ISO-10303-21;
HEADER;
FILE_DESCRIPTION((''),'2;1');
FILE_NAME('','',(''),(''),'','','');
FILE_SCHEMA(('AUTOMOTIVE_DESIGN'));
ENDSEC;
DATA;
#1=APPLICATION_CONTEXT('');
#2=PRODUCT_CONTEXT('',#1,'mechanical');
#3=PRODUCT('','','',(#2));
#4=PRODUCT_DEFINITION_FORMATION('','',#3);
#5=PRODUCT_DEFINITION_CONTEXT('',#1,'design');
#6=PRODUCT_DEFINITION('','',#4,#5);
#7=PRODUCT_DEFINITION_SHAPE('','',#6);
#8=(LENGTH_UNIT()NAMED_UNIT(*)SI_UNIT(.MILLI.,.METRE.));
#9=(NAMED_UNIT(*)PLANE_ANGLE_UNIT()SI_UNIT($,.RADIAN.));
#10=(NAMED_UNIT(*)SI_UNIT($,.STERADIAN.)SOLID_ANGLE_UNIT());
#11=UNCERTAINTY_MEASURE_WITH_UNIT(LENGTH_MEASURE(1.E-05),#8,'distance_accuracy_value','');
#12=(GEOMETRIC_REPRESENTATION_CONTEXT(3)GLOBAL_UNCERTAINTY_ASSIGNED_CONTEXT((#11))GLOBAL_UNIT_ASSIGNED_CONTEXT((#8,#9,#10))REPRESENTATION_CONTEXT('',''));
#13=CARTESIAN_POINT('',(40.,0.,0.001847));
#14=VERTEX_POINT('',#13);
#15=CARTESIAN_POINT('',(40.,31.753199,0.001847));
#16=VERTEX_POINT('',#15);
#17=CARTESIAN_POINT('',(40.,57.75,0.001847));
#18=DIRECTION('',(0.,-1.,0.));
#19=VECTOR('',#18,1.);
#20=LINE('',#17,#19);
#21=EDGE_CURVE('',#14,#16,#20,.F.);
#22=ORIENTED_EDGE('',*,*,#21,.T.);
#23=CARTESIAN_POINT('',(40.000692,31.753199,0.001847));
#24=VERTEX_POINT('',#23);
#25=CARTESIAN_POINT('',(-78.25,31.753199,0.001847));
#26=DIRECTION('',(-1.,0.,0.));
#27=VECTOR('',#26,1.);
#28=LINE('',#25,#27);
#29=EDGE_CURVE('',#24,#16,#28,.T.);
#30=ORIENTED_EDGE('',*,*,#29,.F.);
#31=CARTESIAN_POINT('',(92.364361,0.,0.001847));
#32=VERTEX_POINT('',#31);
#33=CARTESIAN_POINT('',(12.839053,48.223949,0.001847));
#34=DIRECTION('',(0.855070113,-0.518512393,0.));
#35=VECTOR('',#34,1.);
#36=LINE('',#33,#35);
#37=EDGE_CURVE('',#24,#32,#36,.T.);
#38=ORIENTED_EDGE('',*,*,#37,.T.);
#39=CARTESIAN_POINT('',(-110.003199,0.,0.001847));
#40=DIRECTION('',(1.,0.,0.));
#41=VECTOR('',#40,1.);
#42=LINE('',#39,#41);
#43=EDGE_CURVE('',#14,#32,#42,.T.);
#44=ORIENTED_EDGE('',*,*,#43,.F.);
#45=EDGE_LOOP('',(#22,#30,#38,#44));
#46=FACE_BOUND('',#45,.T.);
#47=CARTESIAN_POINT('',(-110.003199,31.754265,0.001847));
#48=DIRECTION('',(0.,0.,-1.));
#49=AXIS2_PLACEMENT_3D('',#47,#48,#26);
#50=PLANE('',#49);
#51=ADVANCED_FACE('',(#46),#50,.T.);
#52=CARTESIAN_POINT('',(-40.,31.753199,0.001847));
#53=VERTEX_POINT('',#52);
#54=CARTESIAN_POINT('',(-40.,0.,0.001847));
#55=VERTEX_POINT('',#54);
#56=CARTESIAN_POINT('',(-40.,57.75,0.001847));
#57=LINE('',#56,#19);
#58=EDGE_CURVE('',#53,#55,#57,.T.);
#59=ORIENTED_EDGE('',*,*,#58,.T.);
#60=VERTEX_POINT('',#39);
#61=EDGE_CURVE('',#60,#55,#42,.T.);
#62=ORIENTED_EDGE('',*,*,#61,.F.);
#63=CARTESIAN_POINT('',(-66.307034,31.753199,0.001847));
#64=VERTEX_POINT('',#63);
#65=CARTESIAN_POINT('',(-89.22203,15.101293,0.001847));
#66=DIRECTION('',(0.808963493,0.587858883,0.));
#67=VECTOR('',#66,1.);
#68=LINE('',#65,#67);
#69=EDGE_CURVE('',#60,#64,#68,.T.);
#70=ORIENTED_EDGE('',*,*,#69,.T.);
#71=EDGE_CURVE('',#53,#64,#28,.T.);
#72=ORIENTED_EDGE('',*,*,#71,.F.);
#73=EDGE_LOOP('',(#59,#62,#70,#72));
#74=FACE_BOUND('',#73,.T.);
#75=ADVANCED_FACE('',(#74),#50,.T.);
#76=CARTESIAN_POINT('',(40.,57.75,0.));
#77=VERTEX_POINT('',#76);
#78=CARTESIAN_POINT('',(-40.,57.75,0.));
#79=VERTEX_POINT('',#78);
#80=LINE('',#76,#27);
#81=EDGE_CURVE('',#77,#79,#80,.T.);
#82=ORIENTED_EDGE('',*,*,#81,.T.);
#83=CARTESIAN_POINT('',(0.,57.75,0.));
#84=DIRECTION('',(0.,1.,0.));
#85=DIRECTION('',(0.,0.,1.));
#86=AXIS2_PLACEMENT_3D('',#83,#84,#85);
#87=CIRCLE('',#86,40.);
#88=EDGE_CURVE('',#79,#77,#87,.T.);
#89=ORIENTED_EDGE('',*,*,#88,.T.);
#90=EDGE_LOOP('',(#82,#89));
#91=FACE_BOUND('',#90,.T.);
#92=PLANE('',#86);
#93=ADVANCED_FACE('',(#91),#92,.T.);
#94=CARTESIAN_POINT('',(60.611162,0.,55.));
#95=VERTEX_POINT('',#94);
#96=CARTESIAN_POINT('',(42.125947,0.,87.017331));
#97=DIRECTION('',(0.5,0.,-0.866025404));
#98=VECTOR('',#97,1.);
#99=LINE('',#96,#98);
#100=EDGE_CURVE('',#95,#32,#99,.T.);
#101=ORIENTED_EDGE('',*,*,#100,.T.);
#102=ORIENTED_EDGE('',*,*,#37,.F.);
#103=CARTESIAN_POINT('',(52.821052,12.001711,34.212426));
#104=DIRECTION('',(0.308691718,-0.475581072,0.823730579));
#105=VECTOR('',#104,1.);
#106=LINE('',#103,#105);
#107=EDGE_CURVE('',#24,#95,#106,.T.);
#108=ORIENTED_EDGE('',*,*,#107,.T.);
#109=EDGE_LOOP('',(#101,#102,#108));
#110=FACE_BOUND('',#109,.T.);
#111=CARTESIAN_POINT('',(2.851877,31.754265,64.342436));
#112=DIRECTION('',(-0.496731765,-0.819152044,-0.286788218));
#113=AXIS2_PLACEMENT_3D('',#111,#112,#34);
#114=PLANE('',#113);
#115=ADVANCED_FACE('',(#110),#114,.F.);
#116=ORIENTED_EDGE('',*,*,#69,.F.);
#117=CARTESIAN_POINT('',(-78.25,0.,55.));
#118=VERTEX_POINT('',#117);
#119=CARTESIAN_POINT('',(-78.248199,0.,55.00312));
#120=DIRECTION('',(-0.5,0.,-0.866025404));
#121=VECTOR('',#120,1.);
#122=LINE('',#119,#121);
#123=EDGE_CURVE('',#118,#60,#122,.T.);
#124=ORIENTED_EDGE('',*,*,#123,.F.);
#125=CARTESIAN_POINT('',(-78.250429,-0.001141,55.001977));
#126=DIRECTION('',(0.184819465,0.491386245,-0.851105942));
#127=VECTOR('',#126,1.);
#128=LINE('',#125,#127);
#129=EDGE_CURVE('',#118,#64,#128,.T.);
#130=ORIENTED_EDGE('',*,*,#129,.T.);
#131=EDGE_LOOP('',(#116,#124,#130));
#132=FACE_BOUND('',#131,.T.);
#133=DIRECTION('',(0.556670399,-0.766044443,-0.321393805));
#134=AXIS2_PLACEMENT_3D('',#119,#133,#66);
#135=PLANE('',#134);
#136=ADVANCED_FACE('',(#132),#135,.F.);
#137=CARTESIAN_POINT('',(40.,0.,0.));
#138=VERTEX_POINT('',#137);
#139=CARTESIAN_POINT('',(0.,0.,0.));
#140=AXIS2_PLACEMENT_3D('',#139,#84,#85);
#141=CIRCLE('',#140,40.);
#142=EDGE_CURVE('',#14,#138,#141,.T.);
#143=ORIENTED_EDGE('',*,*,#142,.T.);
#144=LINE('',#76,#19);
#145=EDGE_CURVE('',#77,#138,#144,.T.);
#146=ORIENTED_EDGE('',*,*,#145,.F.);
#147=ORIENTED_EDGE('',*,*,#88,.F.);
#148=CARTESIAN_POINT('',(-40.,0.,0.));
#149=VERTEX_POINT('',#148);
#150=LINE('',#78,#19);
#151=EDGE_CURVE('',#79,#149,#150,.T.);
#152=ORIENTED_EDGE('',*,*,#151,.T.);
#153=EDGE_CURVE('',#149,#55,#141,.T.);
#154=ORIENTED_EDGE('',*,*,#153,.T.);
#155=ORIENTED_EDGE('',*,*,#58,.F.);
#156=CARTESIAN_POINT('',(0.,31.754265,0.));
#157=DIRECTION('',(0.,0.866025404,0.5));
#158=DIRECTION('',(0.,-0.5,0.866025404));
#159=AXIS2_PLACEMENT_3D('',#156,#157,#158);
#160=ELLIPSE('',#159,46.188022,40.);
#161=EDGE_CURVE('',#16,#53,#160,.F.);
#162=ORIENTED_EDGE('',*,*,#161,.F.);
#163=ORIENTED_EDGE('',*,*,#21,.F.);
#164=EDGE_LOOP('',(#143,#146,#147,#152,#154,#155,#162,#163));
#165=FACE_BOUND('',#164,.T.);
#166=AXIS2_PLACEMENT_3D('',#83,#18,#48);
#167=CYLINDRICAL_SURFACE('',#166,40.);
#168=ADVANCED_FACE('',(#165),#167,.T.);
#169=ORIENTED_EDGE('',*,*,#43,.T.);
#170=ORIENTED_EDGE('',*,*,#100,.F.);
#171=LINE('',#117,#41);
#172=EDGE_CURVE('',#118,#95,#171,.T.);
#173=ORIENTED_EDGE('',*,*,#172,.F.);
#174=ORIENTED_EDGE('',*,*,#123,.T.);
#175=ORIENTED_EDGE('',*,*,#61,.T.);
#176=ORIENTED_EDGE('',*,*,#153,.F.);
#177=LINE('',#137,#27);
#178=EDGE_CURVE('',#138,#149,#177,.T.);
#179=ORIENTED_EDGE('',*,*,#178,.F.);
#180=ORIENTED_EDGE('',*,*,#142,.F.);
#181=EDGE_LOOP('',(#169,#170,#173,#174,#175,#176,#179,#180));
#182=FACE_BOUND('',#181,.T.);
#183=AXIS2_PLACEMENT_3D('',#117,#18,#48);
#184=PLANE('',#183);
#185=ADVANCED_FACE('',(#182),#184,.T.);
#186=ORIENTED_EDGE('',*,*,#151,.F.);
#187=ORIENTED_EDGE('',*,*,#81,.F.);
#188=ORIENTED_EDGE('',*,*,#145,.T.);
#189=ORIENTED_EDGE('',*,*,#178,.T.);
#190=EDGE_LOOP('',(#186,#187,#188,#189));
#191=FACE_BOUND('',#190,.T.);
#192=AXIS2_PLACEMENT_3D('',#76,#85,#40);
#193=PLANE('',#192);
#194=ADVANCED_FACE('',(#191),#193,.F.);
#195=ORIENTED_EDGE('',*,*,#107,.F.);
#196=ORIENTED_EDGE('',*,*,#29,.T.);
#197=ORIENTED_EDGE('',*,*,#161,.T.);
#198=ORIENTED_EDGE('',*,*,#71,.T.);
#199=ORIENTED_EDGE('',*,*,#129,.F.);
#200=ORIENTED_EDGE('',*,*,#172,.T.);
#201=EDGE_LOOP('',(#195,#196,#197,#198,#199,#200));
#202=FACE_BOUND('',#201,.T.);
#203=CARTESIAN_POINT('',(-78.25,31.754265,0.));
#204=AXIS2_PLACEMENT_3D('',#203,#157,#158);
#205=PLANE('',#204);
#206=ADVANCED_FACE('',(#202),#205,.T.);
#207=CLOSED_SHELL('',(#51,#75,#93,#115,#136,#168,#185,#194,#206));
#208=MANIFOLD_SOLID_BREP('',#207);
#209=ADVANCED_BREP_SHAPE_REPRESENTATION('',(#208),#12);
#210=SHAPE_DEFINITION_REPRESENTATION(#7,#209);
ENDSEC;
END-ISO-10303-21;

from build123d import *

# Parameters (mm, degrees)
EXTRUDE1_DEPTH      = 40
EXTRUDE1_DEPTH_BACK = 78.25
EXTRUDE2_DEPTH      = 31.755
EXTRUDE4_DEPTH      = 51.755
SKETCH7_W           = 50.762718211
SKETCH7_H           = 77.693391575
CUT_EXTRUDE1_DEPTH  = 10
SKETCH8_W           = 180.54307219
SKETCH8_H           = 130.318791492
CUT_EXTRUDE2_DEPTH  = 40
SKETCH9_W           = 213.468812953
SKETCH9_H           = 29.374372581
CUT_EXTRUDE3_DEPTH  = 32.754264805
EXTRUDE5_DEPTH      = 57.75


with BuildPart() as part:
    # Sketch2 → Extrude1 (new body, two sides)
    with BuildSketch(Plane(origin=(0, 0, 0), x_dir=(0, 0, -1), z_dir=(1, 0, 0))) as extrude1_sk:
        Polygon((0, 0), (0, 31.754264805), (-55, 0), align=None)
    extrude(amount=EXTRUDE1_DEPTH)
    extrude(extrude1_sk.sketch, amount=-EXTRUDE1_DEPTH_BACK)

    # Sketch4 → Extrude2 (add, symmetric)
    with BuildSketch(Plane(origin=(-11.6225, 0, -20.130760511), x_dir=(0.866025404, 0, -0.5), z_dir=(0.5, 0, 0.866025404))):
        Polygon((-95.266487846, 0), (-57.423228684, 31.754264805), (-57.423228684, 0), align=None)
    extrude(amount=EXTRUDE2_DEPTH, both=True)

    # Sketch6 → Extrude4 (add, symmetric)
    with BuildSketch(Plane(origin=(-1.270622992, 0, 2.200783579), x_dir=(0.866025404, 0, 0.5), z_dir=(-0.5, 0, 0.866025404))):
        Polygon((34.641016151, 31.754264805), (79.990806139, 0), (34.641016151, 0), align=None)
    extrude(amount=EXTRUDE4_DEPTH, both=True)

    # Sketch7 → Cut-Extrude1 (cut)
    with BuildSketch(Plane(origin=(-34.088334257, 46.909587917, 19.68090896), x_dir=(-0.830733451, -0.513322613, -0.215364408), z_dir=(-0.556670399, 0.766044443, 0.321393805))):
        with Locations((42.354713251, 21.026293217)):
            Rectangle(SKETCH7_W, SKETCH7_H)
    extrude(amount=CUT_EXTRUDE1_DEPTH, mode=Mode.SUBTRACT)

    # Sketch8 → Cut-Extrude2 (cut)
    with BuildSketch(Plane(origin=(0, 23.815698604, 13.75), x_dir=(-1, 0, 0), z_dir=(0, 0.866025404, 0.5))):
        with Locations((7.268110747, 13.895626923)):
            Rectangle(SKETCH8_W, SKETCH8_H)
    extrude(amount=CUT_EXTRUDE2_DEPTH, mode=Mode.SUBTRACT)

    # Sketch9 → Cut-Extrude3 (cut, through all)
    with BuildSketch(Plane(origin=(0, 0, 0), x_dir=(1, 0, 0), z_dir=(0, 1, 0))):
        with Locations((-3.268792127, 14.685339576)):
            Rectangle(SKETCH9_W, SKETCH9_H)
    extrude(amount=CUT_EXTRUDE3_DEPTH, mode=Mode.SUBTRACT)

    # Sketch1 → Extrude5 (add)
    with BuildSketch(Plane(origin=(0, 0, 0), x_dir=(1, 0, 0), z_dir=(0, 1, 0))):
        with BuildLine():
            Line((40, 0), (-40, 0))
            ThreePointArc((-40, 0), (0, -40), (40, 0))
        make_face()
    extrude(amount=EXTRUDE5_DEPTH)


solid = part.part
